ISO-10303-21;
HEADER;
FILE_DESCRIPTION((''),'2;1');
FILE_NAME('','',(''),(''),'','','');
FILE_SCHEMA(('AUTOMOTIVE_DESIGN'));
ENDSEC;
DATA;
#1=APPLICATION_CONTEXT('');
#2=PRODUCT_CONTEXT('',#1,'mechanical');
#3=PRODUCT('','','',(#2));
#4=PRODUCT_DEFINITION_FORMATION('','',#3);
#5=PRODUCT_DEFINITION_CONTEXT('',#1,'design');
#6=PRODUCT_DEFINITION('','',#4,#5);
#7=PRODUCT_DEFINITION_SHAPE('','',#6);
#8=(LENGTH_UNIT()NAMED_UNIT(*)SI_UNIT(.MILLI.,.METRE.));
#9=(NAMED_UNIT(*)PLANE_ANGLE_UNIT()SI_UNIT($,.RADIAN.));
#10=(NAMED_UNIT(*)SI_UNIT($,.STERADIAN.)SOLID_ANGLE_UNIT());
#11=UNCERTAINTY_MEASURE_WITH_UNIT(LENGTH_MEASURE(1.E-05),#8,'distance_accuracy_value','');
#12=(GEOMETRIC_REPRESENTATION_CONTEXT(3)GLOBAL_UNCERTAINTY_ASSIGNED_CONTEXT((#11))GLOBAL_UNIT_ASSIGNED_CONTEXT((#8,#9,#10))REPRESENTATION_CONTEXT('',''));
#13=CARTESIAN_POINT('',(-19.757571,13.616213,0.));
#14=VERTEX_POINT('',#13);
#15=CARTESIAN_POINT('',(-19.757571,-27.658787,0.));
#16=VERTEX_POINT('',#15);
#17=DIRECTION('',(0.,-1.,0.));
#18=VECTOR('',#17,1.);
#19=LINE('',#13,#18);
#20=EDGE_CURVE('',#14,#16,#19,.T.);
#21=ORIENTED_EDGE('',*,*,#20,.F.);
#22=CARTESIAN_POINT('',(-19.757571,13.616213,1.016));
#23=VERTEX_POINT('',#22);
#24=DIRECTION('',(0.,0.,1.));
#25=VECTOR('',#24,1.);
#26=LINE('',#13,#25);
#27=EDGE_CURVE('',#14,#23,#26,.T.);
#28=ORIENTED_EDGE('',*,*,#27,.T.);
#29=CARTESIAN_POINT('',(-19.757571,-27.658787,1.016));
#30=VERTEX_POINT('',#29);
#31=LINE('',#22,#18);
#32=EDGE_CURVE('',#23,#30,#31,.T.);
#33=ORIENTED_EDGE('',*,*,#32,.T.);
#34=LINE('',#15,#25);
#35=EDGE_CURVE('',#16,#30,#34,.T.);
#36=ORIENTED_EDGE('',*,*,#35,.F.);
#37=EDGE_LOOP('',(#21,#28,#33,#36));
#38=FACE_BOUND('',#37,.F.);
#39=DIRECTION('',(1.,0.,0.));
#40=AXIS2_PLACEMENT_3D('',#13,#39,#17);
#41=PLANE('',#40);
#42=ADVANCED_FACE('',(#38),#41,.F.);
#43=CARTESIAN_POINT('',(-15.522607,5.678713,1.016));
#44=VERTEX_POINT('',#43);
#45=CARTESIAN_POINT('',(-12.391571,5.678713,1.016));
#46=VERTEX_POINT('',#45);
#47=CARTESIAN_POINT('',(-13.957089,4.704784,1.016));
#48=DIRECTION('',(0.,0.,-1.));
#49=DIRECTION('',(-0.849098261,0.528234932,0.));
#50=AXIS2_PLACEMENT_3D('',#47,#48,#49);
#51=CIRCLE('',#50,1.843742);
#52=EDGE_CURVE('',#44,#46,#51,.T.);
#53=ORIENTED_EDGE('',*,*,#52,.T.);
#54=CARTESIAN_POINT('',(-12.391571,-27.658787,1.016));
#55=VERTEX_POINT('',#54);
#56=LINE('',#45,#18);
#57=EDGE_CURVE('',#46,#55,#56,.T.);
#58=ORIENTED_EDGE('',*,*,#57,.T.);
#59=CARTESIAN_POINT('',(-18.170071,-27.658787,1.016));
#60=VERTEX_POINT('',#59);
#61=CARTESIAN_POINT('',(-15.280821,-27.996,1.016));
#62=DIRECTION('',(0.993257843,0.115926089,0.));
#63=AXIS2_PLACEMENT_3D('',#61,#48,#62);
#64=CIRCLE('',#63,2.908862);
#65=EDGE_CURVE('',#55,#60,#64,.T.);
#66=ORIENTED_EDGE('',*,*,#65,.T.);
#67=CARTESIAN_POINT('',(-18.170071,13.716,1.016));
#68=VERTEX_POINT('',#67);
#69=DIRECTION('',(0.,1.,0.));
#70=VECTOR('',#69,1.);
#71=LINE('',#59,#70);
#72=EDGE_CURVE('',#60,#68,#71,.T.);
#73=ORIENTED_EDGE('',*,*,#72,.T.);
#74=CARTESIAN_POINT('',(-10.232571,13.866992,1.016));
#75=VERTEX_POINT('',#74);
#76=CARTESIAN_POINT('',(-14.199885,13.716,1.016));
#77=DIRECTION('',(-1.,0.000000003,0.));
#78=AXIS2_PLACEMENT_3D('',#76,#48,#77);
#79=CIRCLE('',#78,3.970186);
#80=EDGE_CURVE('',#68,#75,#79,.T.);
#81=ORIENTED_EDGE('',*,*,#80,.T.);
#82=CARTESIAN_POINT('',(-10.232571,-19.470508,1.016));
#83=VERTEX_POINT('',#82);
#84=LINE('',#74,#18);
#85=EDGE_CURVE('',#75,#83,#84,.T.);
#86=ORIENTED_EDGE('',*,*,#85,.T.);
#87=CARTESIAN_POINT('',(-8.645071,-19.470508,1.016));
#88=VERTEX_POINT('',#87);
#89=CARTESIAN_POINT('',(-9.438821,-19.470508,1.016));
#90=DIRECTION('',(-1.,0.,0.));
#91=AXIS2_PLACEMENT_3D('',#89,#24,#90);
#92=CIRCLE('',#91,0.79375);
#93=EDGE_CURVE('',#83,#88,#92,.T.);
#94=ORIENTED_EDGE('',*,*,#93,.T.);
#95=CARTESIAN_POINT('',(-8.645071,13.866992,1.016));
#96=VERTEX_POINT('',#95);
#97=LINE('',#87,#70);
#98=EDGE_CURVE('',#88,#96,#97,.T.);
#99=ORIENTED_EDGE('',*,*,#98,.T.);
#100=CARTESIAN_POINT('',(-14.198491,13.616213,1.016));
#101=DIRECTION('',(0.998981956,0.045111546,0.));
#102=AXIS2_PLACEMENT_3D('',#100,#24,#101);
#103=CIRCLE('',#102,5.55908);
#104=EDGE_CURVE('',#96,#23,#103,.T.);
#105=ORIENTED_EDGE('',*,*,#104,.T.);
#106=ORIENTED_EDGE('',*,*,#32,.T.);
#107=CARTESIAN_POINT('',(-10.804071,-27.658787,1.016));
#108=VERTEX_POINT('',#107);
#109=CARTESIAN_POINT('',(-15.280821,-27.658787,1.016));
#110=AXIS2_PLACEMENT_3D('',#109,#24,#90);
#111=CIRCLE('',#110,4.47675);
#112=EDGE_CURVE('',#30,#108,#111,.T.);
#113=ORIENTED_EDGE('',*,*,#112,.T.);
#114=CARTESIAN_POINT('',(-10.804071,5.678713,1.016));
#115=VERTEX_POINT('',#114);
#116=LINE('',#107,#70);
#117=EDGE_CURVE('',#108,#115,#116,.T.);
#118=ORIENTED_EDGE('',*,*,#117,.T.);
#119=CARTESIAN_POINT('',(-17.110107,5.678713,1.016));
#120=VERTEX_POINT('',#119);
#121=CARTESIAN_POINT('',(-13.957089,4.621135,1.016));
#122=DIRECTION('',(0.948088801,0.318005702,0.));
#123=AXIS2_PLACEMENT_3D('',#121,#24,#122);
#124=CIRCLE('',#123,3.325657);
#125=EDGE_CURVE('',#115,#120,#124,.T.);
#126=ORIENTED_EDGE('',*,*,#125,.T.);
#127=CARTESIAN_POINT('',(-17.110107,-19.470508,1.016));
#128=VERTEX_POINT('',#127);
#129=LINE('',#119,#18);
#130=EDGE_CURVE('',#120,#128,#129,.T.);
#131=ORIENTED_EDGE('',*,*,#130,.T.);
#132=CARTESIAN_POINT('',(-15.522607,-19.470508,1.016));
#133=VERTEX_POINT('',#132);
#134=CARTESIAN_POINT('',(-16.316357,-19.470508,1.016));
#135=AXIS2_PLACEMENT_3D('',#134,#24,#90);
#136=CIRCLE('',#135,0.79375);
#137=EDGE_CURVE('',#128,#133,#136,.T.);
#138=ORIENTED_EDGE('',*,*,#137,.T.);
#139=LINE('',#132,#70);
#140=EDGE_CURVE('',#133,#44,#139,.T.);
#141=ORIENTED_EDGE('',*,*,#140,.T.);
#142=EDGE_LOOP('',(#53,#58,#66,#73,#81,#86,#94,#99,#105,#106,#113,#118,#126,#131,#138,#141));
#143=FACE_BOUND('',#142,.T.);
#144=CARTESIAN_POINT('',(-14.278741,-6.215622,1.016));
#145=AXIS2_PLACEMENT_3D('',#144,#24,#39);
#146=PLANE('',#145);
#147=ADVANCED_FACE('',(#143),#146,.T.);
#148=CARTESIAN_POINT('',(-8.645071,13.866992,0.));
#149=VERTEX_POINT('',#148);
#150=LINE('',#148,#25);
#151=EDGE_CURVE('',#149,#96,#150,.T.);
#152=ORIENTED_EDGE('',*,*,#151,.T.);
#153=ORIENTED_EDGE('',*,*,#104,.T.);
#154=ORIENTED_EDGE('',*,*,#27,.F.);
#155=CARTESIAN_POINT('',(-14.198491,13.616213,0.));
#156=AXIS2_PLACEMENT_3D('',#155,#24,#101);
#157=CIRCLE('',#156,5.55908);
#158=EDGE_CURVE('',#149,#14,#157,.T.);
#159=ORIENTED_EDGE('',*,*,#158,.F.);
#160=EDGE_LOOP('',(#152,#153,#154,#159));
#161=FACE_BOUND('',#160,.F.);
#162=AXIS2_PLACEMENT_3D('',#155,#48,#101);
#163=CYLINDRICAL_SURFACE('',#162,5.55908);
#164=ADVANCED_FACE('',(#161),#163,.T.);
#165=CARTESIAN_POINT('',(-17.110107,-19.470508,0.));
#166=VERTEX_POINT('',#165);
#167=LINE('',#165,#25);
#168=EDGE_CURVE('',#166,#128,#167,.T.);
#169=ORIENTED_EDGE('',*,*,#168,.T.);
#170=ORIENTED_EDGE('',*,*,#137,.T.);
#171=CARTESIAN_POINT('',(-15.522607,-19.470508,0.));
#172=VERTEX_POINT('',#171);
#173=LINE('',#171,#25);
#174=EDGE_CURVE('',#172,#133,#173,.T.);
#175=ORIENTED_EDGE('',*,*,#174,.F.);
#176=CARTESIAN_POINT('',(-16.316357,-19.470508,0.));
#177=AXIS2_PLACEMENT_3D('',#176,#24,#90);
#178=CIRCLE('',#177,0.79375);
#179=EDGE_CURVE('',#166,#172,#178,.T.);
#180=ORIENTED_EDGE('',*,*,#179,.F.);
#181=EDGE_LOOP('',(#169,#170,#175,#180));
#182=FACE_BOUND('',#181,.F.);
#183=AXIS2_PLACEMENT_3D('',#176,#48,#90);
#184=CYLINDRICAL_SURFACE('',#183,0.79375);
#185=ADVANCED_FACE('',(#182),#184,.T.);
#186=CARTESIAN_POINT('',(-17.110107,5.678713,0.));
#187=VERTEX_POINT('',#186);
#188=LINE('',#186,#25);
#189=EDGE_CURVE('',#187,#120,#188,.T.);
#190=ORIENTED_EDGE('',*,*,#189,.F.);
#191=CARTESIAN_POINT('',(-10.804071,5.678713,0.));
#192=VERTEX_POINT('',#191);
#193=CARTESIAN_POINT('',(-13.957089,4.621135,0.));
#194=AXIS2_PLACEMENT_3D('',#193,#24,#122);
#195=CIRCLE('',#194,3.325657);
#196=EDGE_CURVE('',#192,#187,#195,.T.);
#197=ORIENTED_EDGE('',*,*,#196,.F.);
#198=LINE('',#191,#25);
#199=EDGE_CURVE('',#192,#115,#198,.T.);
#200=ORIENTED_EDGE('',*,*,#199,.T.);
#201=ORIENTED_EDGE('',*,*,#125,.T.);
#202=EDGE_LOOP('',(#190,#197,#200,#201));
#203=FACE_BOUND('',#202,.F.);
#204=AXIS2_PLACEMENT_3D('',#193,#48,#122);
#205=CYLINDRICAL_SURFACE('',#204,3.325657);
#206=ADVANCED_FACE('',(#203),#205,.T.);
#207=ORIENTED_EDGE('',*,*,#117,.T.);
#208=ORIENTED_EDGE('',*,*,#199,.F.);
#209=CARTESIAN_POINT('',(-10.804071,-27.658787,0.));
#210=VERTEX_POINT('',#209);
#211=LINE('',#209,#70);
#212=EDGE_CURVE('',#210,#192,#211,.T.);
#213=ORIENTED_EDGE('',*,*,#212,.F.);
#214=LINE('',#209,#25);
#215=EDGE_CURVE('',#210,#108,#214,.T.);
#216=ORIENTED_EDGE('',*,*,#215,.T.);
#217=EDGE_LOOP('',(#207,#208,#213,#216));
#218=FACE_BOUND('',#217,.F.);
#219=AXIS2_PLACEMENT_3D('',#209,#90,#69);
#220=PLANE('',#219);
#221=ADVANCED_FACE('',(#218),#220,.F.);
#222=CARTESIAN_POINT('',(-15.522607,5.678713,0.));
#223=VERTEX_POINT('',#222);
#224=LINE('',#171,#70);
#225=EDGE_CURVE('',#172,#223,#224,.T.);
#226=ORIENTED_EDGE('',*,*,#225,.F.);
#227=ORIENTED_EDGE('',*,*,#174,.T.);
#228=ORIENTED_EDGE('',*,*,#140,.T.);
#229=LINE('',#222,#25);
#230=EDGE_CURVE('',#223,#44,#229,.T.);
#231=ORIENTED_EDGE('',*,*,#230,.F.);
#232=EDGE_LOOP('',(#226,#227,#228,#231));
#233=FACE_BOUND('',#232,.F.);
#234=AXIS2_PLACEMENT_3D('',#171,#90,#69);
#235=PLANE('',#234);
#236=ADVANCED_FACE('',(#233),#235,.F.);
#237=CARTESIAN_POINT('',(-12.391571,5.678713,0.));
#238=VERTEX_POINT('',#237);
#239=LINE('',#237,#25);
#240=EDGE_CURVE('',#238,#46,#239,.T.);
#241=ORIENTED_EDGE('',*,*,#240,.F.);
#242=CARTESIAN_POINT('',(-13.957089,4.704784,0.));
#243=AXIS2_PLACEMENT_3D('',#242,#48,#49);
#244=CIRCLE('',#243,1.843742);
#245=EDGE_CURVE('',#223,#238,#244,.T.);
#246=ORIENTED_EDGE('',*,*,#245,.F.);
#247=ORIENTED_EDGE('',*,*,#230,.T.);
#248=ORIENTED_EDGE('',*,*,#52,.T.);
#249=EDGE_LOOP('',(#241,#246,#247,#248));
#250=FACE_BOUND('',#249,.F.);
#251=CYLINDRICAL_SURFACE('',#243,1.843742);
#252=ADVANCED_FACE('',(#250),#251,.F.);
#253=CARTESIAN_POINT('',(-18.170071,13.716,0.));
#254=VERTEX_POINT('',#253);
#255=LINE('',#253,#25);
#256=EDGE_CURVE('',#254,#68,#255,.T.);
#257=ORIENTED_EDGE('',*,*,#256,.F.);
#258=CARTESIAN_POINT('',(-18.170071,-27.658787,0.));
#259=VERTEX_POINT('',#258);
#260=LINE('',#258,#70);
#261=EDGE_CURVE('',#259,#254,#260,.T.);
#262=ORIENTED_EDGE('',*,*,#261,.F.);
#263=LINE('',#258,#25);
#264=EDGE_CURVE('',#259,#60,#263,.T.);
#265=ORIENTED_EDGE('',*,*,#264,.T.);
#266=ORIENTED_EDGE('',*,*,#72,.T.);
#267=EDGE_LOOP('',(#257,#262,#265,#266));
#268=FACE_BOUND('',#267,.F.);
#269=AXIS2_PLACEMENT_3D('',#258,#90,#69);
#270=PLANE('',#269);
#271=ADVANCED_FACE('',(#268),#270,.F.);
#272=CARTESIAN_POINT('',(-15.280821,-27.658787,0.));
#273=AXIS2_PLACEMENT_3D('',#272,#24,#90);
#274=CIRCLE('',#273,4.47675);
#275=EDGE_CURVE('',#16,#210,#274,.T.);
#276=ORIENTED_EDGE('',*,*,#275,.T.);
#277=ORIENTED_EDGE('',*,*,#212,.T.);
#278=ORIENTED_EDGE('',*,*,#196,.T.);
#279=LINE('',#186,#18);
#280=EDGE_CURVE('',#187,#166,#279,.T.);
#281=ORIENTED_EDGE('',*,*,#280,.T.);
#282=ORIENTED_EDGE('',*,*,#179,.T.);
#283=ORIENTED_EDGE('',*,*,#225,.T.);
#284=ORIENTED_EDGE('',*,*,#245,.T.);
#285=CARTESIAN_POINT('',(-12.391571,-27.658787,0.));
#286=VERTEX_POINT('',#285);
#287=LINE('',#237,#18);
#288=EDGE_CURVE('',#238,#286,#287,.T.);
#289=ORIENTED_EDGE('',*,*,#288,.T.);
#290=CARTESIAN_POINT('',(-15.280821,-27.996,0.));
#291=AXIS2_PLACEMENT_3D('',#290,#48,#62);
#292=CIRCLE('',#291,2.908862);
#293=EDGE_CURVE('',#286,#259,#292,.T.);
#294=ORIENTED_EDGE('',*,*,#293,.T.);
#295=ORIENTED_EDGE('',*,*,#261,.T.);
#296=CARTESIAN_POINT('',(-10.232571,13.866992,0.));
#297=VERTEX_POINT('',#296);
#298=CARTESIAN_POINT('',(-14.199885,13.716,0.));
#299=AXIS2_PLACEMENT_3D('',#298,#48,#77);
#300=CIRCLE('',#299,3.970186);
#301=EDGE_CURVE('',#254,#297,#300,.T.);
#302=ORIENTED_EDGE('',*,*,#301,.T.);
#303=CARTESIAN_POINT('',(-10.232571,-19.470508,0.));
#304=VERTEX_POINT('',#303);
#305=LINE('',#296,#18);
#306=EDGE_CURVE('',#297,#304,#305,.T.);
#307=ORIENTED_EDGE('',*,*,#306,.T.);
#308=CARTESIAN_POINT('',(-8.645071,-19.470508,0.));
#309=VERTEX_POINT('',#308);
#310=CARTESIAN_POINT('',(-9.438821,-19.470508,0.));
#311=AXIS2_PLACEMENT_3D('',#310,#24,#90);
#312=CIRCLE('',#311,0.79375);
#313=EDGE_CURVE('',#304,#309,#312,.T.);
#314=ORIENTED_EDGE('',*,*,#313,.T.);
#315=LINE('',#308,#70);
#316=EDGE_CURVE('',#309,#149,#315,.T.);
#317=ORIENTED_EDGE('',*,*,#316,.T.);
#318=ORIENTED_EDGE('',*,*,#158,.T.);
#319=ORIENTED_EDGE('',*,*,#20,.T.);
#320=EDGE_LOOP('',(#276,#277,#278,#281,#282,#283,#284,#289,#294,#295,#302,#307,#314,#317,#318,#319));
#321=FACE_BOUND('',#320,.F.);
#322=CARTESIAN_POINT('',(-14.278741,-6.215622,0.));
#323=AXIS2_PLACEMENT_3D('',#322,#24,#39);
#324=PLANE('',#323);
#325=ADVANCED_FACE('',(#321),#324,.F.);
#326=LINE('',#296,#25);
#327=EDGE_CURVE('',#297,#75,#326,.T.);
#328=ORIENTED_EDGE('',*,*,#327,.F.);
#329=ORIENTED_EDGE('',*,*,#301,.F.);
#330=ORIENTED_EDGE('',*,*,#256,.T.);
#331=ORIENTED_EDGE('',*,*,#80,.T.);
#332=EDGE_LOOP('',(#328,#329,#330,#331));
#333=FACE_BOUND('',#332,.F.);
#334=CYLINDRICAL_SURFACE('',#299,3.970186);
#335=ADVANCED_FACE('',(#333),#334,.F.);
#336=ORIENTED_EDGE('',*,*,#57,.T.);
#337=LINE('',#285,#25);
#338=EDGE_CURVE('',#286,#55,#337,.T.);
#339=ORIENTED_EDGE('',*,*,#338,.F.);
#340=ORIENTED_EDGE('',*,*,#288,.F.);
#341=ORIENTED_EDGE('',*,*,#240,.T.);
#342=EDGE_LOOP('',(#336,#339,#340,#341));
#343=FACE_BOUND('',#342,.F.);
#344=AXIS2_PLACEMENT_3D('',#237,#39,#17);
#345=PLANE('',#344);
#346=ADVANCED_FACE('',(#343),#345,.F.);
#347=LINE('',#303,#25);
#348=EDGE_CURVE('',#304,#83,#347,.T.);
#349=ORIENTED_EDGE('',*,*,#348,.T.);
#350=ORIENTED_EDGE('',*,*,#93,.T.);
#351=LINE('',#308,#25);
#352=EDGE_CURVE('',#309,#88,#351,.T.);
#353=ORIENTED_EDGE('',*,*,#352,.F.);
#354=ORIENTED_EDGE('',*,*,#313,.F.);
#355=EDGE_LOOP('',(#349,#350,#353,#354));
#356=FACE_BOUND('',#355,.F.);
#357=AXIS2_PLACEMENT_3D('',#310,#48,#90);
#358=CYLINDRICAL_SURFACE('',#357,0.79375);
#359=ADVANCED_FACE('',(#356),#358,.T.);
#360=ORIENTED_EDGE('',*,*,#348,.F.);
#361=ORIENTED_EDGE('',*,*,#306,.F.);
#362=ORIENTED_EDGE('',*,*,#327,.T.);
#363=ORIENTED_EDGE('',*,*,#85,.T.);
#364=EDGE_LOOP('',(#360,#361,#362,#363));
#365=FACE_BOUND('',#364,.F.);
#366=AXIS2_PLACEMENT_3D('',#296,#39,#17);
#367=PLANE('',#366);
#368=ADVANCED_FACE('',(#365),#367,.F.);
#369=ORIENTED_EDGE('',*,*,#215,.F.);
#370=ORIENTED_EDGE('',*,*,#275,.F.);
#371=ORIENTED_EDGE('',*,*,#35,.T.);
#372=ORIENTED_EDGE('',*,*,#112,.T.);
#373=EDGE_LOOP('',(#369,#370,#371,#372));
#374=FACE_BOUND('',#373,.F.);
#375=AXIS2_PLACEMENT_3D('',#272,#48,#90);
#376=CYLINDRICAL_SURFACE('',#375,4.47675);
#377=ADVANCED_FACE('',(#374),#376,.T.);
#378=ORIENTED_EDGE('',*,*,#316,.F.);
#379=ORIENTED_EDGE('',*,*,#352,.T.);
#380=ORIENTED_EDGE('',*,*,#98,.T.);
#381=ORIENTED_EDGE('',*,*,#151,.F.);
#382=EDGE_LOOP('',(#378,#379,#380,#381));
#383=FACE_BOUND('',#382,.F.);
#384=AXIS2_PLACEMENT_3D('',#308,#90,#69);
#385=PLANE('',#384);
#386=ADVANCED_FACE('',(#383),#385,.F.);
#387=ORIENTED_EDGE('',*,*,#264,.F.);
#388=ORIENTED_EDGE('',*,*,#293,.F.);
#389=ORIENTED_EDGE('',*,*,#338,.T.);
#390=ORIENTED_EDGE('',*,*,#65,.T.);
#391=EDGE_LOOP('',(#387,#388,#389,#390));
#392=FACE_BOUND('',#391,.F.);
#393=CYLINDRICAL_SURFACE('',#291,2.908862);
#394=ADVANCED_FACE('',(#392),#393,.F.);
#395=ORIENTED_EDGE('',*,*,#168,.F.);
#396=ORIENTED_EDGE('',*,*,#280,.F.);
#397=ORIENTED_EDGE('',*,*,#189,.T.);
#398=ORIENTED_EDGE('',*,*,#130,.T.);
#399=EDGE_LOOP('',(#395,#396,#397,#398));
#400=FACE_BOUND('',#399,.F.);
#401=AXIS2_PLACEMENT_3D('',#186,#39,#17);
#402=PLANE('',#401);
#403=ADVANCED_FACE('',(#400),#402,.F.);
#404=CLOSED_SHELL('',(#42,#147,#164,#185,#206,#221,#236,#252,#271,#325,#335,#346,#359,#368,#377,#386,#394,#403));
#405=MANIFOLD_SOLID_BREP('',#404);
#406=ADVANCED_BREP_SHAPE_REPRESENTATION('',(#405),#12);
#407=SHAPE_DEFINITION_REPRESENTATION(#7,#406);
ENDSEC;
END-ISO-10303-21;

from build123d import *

# Parameters (mm, degrees)
F1_DEPTH = 1.016


with BuildPart() as f1:
    # F0 (on Top) → F1 (new body)
    with BuildSketch(Plane.XY):
        with BuildLine():
            ThreePointArc((-8.645071, 13.866992), (-14.323912, 19.173878), (-19.757571, 13.616213))
            Line((-19.757571, 13.616213), (-19.757571, -27.658787))
            ThreePointArc((-19.757571, -27.658787), (-15.280821, -32.135537), (-10.804071, -27.658787))
            Line((-10.804071, -27.658787), (-10.804071, 5.678713))
            ThreePointArc((-10.804071, 5.678713), (-13.957089, 7.946792), (-17.110107, 5.678713))
            Line((-17.110107, 5.678713), (-17.110107, -19.470508))
            ThreePointArc((-17.110107, -19.470508), (-16.316357, -20.264258), (-15.522607, -19.470508))
            Line((-15.522607, -19.470508), (-15.522607, 5.678713))
            ThreePointArc((-15.522607, 5.678713), (-13.957089, 6.548526), (-12.391571, 5.678713))
            Line((-12.391571, 5.678713), (-12.391571, -27.658787))
            ThreePointArc((-12.391571, -27.658787), (-15.280821, -30.904862), (-18.170071, -27.658787))
            Line((-18.170071, -27.658787), (-18.170071, 13.716))
            ThreePointArc((-18.170071, 13.716), (-14.275394, 17.685468), (-10.232571, 13.866992))
            Line((-10.232571, 13.866992), (-10.232571, -19.470508))
            ThreePointArc((-10.232571, -19.470508), (-9.438821, -20.264258), (-8.645071, -19.470508))
            Line((-8.645071, -19.470508), (-8.645071, 13.866992))
        make_face()
    extrude(amount=F1_DEPTH)


solid = f1.part
